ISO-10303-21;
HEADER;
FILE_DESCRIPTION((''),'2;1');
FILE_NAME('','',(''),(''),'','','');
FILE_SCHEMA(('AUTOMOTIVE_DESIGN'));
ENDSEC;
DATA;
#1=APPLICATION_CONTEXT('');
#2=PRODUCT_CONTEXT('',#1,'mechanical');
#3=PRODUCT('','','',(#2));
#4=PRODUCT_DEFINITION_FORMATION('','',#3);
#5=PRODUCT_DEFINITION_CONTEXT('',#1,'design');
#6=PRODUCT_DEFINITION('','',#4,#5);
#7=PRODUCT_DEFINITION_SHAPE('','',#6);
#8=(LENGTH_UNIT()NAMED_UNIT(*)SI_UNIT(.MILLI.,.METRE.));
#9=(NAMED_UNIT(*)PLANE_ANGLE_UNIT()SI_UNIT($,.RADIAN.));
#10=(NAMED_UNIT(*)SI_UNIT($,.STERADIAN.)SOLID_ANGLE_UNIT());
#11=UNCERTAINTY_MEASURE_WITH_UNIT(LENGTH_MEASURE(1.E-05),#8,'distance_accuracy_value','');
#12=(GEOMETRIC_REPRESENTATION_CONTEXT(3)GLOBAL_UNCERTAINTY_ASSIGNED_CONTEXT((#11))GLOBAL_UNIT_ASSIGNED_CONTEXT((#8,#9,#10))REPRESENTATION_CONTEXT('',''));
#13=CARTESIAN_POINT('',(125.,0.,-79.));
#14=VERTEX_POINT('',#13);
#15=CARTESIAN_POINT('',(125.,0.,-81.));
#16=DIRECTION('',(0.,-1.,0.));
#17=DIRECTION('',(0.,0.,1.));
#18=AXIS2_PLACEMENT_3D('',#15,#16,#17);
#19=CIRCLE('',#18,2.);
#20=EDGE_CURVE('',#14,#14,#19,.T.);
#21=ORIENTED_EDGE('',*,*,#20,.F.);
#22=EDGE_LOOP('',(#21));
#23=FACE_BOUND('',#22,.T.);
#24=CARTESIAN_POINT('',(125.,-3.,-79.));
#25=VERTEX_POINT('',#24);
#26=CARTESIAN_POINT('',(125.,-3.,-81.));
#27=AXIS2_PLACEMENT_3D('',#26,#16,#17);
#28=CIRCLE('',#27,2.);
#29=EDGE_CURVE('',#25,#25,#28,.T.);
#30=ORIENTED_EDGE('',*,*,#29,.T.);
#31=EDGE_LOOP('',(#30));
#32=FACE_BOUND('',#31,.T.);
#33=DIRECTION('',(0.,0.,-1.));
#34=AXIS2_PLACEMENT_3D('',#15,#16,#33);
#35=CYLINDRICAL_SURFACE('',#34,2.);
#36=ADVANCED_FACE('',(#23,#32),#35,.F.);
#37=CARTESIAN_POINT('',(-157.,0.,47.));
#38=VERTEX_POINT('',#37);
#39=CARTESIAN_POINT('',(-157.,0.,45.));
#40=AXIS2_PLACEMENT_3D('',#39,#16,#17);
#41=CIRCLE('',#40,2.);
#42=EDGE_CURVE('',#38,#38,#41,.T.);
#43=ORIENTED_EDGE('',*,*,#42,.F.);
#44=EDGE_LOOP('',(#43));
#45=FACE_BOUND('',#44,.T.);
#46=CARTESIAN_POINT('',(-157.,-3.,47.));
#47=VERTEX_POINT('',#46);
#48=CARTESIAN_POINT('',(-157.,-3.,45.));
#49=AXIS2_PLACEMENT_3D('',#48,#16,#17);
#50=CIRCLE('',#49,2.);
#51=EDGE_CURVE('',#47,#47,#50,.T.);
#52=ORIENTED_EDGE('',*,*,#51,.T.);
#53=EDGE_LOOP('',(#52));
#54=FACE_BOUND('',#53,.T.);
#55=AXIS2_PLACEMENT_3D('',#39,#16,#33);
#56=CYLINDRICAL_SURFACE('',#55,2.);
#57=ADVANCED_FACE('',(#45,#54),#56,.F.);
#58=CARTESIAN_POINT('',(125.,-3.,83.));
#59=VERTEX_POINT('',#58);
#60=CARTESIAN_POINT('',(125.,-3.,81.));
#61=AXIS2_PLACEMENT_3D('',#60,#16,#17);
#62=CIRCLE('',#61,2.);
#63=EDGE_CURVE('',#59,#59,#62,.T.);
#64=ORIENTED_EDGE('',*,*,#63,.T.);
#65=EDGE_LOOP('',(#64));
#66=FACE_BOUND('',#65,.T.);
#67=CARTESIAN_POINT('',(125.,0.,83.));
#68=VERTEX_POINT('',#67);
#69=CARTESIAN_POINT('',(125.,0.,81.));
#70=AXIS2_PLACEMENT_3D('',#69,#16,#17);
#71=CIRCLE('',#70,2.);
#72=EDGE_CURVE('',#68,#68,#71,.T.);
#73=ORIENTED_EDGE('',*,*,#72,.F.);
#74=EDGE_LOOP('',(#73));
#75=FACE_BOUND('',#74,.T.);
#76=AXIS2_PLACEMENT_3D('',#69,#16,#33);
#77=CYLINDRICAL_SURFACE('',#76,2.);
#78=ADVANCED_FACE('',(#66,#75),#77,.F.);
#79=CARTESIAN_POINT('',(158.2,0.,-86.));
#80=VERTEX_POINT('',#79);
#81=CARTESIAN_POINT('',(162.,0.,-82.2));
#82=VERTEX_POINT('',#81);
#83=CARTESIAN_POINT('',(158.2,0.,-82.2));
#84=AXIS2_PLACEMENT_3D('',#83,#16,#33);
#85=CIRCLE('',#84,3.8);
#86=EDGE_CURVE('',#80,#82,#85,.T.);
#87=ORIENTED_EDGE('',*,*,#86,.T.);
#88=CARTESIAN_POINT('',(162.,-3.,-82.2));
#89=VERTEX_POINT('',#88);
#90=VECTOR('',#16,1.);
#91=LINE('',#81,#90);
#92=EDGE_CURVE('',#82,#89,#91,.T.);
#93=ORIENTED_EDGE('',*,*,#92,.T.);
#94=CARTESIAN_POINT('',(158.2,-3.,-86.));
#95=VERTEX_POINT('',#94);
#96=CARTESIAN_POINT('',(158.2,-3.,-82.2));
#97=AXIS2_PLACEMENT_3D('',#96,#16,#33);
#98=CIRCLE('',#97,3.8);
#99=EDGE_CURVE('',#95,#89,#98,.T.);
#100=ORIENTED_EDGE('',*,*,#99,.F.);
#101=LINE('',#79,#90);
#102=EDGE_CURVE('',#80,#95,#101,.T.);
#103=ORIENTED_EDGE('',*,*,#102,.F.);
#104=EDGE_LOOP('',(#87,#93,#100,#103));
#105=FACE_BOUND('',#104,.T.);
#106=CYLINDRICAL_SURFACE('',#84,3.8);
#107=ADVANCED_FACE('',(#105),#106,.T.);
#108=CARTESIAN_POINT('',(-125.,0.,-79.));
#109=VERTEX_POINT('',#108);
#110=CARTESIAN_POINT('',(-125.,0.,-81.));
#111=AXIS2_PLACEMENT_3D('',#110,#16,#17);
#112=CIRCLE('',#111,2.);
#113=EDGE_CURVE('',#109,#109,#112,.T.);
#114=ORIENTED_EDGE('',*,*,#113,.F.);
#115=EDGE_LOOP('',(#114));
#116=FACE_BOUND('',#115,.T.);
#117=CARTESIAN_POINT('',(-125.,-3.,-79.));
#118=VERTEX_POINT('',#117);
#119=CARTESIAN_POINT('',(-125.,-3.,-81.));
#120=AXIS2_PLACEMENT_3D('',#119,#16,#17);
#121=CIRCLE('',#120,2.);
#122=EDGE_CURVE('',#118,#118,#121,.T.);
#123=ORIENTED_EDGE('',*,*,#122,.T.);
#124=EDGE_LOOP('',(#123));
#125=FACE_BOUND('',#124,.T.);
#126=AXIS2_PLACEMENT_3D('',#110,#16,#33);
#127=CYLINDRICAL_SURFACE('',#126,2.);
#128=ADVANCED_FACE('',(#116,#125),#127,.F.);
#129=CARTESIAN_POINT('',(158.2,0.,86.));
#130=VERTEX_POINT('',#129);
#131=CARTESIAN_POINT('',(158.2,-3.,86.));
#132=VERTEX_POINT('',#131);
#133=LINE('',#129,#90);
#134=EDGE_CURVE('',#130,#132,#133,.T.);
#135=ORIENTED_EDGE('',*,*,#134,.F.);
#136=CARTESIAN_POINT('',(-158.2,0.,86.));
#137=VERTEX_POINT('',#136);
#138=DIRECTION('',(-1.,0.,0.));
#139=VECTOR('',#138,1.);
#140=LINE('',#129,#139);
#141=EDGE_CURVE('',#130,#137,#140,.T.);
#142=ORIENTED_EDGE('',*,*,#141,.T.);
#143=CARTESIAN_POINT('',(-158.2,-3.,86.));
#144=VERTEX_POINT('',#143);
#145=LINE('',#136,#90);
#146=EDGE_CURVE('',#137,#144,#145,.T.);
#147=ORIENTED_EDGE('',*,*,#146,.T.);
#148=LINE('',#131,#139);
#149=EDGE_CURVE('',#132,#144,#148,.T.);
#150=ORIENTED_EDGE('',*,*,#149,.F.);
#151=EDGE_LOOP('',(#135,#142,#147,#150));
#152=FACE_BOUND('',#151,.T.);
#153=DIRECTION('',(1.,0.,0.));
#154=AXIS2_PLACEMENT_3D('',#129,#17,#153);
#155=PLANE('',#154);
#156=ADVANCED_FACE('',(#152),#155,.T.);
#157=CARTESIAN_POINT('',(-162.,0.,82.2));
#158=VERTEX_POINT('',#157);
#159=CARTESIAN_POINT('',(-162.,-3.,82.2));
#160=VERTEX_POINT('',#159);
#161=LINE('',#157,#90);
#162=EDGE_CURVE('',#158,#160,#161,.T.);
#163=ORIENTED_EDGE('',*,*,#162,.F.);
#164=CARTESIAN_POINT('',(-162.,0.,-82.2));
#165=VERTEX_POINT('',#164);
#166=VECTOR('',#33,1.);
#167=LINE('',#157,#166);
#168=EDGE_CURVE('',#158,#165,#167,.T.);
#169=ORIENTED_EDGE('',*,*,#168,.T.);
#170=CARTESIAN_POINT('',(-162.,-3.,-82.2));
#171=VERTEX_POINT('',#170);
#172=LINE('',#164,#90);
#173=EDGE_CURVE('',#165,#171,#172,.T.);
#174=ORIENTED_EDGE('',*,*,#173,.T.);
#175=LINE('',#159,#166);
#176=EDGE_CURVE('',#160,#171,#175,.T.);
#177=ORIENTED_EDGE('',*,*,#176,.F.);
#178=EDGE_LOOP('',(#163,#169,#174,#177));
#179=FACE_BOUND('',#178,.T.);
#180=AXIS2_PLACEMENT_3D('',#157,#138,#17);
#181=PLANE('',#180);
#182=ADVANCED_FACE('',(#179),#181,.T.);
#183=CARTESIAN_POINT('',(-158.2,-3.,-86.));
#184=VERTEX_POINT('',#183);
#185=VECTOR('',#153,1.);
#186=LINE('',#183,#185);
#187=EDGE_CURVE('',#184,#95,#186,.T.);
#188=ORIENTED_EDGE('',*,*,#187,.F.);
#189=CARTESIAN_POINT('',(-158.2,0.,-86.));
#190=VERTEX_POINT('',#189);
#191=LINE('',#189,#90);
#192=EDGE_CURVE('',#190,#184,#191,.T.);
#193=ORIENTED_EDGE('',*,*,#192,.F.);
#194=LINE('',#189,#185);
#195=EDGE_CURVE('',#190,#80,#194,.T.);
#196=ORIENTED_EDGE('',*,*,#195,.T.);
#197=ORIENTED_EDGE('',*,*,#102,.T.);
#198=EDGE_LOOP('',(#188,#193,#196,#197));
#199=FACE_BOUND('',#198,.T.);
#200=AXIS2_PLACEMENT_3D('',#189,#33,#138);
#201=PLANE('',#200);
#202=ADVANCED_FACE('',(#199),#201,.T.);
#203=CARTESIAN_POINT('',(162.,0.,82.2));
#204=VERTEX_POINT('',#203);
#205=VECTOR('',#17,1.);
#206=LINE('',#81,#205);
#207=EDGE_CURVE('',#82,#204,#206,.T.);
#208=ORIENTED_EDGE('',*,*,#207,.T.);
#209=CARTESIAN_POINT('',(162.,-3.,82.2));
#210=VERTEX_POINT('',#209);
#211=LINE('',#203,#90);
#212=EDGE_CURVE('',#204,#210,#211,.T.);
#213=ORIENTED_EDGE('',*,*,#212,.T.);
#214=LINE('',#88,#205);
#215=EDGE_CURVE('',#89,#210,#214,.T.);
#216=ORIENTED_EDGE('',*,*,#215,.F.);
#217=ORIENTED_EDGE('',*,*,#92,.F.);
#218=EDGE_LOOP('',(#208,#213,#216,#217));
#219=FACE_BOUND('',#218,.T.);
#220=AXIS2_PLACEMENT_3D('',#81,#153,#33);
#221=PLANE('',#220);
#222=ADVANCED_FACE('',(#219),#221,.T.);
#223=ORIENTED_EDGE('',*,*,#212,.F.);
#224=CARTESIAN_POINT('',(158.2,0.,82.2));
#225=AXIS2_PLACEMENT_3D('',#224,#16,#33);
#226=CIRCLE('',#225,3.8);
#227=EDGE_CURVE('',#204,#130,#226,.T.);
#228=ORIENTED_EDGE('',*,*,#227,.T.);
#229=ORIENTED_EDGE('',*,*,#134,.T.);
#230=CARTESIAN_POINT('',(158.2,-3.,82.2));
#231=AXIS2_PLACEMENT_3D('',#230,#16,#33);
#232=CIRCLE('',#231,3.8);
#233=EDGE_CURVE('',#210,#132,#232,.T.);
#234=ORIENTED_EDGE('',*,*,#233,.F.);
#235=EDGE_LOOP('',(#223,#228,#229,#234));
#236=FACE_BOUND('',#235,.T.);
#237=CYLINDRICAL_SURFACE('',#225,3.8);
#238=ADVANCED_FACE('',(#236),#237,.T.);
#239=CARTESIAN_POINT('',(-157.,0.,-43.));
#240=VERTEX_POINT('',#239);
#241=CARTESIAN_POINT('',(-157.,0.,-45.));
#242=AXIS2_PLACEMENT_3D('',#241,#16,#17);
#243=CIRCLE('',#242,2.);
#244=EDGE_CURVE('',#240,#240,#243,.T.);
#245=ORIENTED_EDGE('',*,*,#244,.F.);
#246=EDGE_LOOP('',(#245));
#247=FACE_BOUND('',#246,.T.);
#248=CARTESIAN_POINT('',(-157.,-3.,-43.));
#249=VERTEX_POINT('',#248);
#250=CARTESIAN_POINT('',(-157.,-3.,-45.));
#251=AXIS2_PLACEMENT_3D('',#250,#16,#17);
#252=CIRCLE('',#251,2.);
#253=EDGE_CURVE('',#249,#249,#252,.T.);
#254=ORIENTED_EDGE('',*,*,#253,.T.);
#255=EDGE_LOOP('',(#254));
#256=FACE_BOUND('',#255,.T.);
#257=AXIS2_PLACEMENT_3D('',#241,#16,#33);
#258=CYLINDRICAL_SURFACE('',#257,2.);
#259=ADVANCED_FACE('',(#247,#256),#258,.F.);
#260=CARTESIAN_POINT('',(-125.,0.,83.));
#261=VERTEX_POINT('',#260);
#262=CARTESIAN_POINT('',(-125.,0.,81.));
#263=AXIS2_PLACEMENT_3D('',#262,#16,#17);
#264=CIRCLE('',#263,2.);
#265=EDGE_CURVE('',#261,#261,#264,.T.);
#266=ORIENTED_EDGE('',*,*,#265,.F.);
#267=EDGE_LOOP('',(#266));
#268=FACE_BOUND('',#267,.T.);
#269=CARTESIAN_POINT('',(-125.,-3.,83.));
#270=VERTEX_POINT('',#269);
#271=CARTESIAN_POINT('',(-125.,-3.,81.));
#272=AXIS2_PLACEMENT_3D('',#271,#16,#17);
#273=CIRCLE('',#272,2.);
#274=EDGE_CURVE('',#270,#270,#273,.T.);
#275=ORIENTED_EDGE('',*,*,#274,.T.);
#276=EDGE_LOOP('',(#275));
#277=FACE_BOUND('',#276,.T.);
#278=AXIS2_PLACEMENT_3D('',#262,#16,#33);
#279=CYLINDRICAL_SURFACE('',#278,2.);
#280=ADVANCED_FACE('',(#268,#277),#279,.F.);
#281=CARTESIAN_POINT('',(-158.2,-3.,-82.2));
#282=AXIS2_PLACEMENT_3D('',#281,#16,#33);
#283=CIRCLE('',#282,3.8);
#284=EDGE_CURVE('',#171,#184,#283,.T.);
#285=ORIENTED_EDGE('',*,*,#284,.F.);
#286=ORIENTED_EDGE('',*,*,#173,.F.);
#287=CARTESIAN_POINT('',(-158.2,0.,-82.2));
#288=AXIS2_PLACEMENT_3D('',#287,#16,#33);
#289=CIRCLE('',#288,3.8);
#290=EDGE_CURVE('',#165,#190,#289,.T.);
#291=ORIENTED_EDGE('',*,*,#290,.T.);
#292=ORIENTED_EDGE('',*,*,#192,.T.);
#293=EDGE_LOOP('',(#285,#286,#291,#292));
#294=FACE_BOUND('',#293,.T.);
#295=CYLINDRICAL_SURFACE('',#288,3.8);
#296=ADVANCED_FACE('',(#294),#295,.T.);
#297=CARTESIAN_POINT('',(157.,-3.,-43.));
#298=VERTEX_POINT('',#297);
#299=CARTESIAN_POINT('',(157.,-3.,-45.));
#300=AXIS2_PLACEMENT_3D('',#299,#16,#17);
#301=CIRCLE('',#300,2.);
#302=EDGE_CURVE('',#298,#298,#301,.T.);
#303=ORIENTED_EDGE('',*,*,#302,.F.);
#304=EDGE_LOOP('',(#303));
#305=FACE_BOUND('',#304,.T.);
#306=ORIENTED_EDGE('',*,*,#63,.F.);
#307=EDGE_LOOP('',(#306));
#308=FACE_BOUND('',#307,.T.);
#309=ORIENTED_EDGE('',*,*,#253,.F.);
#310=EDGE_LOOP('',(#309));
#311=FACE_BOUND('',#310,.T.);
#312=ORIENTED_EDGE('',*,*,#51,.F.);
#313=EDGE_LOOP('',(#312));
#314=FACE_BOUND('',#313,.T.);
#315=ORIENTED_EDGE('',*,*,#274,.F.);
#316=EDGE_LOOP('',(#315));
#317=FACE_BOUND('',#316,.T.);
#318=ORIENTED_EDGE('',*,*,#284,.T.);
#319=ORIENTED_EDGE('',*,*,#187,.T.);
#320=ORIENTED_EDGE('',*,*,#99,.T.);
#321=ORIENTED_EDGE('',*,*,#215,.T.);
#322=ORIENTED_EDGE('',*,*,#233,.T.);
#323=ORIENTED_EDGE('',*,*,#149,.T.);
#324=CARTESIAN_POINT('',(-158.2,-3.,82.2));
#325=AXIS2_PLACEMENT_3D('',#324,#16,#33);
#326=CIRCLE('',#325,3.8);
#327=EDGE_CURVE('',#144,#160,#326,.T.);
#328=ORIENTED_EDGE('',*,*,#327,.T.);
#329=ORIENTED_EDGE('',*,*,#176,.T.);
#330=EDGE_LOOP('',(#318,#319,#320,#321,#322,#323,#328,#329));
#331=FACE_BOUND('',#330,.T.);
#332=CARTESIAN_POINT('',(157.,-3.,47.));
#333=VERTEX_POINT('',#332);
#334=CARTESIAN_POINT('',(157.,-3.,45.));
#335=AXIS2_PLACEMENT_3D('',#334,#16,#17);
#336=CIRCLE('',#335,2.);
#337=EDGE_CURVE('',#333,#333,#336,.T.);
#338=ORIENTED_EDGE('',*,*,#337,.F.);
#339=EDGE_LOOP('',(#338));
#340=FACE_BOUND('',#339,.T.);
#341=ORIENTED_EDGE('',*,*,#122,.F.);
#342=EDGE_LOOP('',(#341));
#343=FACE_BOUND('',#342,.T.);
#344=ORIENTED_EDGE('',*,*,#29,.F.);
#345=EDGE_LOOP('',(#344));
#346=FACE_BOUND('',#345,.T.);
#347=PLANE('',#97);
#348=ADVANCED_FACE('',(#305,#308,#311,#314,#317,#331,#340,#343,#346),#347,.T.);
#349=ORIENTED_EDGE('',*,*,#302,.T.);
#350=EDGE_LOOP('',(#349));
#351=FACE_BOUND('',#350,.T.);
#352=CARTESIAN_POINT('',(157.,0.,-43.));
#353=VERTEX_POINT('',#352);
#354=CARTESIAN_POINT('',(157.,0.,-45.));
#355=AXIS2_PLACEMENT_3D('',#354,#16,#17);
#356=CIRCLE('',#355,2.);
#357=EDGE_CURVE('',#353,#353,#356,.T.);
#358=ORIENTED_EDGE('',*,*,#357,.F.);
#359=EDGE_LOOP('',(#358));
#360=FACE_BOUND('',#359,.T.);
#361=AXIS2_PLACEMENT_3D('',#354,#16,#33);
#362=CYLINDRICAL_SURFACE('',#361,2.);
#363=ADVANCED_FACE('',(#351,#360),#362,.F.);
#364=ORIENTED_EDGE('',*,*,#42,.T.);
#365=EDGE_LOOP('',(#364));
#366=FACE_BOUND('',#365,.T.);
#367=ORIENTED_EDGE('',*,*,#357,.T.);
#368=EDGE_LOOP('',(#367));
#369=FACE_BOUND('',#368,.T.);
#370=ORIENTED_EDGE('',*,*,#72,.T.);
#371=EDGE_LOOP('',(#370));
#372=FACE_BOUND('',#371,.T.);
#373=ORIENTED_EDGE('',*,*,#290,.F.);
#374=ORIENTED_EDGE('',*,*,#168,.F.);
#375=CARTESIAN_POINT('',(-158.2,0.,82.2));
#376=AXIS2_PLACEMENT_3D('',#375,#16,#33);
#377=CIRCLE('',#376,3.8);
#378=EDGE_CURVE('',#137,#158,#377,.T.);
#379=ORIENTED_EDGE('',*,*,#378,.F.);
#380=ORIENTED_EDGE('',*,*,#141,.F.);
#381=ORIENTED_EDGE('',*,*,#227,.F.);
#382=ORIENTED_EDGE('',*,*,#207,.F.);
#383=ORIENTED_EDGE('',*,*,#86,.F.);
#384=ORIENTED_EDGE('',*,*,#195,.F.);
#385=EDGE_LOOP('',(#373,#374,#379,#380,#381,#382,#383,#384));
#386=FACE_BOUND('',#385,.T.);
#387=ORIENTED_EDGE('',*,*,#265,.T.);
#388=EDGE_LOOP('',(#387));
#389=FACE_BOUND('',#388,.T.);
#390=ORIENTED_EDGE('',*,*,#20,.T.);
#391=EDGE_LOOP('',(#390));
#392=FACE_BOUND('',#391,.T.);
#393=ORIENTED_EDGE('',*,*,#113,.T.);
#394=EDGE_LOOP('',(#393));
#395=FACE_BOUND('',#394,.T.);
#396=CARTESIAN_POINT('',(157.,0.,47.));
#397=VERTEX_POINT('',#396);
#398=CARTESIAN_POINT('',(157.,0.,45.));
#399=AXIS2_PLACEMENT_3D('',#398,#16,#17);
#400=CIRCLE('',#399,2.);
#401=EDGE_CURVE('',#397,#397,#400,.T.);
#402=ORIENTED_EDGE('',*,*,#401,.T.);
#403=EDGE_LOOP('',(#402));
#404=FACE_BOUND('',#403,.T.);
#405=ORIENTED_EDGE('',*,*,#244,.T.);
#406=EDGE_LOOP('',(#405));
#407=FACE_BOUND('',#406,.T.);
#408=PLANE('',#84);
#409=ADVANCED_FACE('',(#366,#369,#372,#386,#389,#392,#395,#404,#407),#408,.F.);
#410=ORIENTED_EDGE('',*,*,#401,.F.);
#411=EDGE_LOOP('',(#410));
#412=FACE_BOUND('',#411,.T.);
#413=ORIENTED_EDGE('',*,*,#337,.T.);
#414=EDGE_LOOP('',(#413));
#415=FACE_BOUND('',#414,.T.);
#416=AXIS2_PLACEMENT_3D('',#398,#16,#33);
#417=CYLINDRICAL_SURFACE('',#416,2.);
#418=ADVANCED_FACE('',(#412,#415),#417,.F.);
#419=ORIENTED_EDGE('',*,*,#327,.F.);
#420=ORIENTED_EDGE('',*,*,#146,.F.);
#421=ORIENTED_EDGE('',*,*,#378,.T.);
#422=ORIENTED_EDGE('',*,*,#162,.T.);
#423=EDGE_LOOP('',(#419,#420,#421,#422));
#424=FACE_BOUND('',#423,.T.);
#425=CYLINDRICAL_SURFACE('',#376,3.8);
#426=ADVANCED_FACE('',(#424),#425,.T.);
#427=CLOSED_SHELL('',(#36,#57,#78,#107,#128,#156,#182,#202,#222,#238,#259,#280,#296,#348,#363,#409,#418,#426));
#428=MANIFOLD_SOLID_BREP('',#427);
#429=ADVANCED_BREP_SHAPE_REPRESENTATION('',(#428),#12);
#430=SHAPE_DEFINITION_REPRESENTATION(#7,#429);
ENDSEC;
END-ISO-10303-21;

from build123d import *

# Parameters (mm, degrees)
SKETCH_1_R      = 2
EXTRUDE_1_DEPTH = 3


with BuildPart() as part:
    # 草图1 → 凸台-拉伸1 (new body)
    with BuildSketch(Plane.XZ.offset(3)):
        with BuildLine():
            Line((162, -82.2), (162, 82.2))
            ThreePointArc((162, 82.2), (160.887005769, 84.887005769), (158.2, 86))
            Line((158.2, 86), (-158.2, 86))
            ThreePointArc((-158.2, 86), (-160.887005769, 84.887005769), (-162, 82.2))
            Line((-162, 82.2), (-162, -82.2))
            ThreePointArc((-162, -82.2), (-160.887005769, -84.887005769), (-158.2, -86))
            Line((-158.2, -86), (158.2, -86))
            ThreePointArc((158.2, -86), (160.887005769, -84.887005769), (162, -82.2))
        make_face()
        with Locations((157, 45)):
            Circle(SKETCH_1_R, mode=Mode.SUBTRACT)
        with Locations((157, -45)):
            Circle(SKETCH_1_R, mode=Mode.SUBTRACT)
        with Locations((125, -81)):
            Circle(SKETCH_1_R, mode=Mode.SUBTRACT)
        with Locations((-125, -81)):
            Circle(SKETCH_1_R, mode=Mode.SUBTRACT)
        with Locations((-157, -45)):
            Circle(SKETCH_1_R, mode=Mode.SUBTRACT)
        with Locations((-157, 45)):
            Circle(SKETCH_1_R, mode=Mode.SUBTRACT)
        with Locations((125, 81)):
            Circle(SKETCH_1_R, mode=Mode.SUBTRACT)
        with Locations((-125, 81)):
            Circle(SKETCH_1_R, mode=Mode.SUBTRACT)
    extrude(amount=-EXTRUDE_1_DEPTH)


solid = part.part
